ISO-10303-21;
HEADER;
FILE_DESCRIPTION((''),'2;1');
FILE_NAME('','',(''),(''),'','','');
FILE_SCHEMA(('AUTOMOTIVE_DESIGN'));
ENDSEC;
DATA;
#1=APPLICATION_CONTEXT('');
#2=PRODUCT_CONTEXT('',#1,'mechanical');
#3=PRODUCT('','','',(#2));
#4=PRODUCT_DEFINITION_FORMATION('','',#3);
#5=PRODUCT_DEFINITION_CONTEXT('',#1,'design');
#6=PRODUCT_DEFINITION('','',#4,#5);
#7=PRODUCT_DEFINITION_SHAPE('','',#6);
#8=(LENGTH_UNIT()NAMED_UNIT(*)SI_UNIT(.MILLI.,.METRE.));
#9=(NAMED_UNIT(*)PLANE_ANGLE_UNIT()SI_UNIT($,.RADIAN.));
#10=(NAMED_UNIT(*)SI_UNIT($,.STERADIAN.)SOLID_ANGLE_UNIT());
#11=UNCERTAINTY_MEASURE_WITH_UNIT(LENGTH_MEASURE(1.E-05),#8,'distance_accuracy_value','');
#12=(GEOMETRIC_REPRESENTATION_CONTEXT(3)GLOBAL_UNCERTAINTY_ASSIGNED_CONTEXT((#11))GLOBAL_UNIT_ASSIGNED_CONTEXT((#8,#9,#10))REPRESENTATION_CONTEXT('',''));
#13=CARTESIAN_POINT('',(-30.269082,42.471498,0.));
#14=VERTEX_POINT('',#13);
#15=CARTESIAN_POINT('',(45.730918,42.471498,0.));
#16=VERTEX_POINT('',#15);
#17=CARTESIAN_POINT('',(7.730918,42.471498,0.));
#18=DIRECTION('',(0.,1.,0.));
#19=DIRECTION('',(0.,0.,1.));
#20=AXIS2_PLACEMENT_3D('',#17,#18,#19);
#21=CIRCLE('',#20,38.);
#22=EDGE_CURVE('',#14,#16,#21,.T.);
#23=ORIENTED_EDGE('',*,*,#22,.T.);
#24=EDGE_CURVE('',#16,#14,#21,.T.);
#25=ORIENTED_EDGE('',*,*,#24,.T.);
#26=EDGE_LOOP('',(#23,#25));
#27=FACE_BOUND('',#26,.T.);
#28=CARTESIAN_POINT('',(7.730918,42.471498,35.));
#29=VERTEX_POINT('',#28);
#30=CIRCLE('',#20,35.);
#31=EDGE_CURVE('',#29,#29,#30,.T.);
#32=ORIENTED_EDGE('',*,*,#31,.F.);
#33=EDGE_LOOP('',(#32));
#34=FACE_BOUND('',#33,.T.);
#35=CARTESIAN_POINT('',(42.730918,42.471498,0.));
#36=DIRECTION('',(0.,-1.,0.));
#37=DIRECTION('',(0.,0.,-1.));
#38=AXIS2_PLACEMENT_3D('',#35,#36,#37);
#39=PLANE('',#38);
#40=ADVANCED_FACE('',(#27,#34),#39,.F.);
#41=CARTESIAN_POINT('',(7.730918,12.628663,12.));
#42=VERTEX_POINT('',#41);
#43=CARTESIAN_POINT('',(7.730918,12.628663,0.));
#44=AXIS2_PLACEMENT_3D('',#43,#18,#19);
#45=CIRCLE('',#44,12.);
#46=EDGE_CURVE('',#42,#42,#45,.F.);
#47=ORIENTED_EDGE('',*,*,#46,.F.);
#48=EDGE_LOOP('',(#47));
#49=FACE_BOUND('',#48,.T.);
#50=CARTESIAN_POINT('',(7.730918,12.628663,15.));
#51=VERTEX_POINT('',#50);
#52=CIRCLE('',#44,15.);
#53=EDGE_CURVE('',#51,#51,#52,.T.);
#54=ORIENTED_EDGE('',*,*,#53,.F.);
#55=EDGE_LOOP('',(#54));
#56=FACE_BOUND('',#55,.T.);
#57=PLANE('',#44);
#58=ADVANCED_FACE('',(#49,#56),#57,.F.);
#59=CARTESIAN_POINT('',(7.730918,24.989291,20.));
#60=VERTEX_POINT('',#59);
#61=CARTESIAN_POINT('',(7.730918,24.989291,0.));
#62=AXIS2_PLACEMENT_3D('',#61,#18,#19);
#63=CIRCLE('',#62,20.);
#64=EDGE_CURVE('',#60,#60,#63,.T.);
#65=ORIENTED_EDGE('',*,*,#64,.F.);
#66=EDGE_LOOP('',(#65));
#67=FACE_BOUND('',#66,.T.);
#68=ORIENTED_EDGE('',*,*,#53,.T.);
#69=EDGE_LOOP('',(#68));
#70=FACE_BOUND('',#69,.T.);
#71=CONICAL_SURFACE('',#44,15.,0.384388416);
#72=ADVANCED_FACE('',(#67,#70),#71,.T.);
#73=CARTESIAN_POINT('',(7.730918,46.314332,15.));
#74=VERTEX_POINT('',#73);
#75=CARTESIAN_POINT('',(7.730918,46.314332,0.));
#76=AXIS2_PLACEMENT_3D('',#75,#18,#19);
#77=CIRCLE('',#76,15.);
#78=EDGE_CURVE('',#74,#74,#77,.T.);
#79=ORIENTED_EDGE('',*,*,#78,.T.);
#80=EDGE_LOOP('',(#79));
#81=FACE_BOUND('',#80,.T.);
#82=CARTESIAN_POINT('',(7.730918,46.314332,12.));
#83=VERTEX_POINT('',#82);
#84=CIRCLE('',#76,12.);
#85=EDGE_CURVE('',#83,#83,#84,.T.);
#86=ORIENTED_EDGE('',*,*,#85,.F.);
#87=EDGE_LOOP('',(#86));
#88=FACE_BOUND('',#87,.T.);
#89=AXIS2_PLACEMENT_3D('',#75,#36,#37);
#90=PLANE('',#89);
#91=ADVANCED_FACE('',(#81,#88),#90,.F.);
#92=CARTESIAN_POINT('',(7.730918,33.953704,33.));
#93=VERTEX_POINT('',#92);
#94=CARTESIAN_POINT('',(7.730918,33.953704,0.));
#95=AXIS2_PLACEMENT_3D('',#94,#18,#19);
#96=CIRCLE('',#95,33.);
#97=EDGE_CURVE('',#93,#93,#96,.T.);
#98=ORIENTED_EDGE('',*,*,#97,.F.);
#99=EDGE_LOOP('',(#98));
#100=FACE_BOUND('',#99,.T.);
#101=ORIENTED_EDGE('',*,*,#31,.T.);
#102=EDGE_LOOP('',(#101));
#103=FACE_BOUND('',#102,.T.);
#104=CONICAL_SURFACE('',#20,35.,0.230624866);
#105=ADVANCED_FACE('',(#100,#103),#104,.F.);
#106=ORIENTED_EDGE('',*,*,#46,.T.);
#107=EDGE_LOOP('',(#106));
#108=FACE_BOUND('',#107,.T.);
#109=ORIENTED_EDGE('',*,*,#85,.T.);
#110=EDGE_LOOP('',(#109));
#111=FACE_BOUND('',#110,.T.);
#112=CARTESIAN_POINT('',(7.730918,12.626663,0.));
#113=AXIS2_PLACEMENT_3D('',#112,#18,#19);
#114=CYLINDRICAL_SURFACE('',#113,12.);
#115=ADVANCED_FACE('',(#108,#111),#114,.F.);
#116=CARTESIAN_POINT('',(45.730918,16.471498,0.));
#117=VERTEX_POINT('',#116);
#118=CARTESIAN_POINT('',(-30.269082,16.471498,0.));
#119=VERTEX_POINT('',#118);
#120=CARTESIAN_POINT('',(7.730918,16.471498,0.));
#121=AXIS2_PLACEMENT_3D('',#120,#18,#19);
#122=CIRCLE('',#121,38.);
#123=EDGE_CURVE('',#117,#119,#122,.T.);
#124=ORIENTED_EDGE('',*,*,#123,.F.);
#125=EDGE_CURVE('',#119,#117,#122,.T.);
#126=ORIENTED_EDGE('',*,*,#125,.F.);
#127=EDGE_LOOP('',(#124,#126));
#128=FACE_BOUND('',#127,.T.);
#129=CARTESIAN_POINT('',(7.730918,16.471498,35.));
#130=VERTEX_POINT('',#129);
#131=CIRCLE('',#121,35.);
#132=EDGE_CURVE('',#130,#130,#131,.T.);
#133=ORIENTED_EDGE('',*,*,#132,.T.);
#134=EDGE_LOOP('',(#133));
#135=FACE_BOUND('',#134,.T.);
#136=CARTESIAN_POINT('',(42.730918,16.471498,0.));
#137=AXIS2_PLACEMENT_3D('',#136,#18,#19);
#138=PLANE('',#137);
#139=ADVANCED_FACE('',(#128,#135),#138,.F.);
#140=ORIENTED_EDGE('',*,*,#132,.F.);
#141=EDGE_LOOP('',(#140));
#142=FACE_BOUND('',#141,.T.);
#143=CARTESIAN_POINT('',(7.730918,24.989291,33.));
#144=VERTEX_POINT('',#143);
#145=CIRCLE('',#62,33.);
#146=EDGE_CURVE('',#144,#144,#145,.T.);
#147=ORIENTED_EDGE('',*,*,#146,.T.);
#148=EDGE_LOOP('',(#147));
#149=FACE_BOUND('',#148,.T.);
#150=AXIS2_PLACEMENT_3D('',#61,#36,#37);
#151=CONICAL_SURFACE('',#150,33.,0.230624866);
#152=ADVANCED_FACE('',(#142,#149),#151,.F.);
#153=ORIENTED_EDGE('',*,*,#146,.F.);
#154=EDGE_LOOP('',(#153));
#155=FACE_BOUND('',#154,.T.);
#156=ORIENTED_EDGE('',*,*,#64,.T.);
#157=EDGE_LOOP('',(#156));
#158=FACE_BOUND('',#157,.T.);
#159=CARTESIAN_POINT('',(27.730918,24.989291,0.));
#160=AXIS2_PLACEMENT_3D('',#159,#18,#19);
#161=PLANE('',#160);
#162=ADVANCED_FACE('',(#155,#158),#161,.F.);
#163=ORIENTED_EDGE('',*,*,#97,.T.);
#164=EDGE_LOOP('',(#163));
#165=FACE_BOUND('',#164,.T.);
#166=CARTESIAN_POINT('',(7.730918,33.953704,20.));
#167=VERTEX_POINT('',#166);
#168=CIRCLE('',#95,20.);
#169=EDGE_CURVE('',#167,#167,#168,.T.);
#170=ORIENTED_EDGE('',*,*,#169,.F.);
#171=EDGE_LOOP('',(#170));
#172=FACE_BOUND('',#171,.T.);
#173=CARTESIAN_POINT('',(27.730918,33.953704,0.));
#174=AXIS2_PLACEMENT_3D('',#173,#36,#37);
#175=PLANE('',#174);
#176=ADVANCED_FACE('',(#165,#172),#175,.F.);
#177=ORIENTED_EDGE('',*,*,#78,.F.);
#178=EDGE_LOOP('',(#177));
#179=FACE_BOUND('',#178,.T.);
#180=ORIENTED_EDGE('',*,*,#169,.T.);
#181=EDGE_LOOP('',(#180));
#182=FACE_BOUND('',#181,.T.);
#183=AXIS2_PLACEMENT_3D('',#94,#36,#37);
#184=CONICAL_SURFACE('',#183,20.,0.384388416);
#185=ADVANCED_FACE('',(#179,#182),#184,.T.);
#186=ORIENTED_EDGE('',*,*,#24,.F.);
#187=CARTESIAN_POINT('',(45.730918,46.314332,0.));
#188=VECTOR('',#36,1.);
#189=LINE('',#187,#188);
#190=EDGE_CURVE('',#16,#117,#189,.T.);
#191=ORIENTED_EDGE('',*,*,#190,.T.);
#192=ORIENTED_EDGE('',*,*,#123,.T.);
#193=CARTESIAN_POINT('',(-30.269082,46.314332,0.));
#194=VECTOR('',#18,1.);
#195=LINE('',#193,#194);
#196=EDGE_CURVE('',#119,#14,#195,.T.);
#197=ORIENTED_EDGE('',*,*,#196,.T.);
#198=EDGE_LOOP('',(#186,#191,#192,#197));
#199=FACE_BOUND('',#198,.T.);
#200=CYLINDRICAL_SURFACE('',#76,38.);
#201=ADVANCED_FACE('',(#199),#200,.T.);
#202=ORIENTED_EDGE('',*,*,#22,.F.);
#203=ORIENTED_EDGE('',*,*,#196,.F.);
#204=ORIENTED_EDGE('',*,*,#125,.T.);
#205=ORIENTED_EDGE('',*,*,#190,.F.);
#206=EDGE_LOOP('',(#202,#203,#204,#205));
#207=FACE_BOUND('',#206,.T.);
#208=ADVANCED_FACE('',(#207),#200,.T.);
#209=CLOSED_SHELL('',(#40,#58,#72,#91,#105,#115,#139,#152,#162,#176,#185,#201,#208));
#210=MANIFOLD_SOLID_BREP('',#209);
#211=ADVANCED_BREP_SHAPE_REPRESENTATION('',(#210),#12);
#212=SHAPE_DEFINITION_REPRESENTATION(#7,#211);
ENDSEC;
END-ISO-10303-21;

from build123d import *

# Parameters (mm, degrees)
CORTAR_EXTRUIR1_REACH = 70.338
CROQUIS2_R            = 12


with BuildPart() as part:
    # Croquis1 → Revolución1 (revolve)
    with BuildSketch(Plane.XY, mode=Mode.PRIVATE) as revoluci_n1_sk:
        Polygon((7.730917784, 46.314331723), (7.730917784, 12.628663446), (22.730917784, 12.628663446), (27.730917784, 24.989291465), (40.730917784, 24.989291465), (42.730917784, 16.471497585), (45.730917784, 16.471497585), (45.730917784, 42.471497585), (42.730917784, 42.471497585), (40.730917784, 33.953703704), (27.730917784, 33.953703704), (22.730917784, 46.314331723), align=None)
    revolve(revoluci_n1_sk.sketch.rotate(Axis((7.730917784, 46.314331723, 0), (0, -1, 0)), 90), axis=Axis((7.730917784, 46.314331723, 0), (0, -1, 0)))

    # Croquis2 → Cortar-Extruir1 (cut, up to next)
    with BuildSketch(Plane(origin=(0, 46.314331723, 0), x_dir=(1, 0, 0), z_dir=(0, 1, 0)), mode=Mode.PRIVATE) as cortar_extruir1_sk1:
        with Locations(Location((7.730917784, 0, 0), (0, 0, 270))):
            Circle(CROQUIS2_R)
    cortar_extruir1_tool1 = extrude(cortar_extruir1_sk1.sketch, amount=-CORTAR_EXTRUIR1_REACH, mode=Mode.PRIVATE) & part.part
    add(cortar_extruir1_tool1.solids().sort_by_distance((7.730918, 46.314332, 0))[0], mode=Mode.SUBTRACT)


solid = part.part
